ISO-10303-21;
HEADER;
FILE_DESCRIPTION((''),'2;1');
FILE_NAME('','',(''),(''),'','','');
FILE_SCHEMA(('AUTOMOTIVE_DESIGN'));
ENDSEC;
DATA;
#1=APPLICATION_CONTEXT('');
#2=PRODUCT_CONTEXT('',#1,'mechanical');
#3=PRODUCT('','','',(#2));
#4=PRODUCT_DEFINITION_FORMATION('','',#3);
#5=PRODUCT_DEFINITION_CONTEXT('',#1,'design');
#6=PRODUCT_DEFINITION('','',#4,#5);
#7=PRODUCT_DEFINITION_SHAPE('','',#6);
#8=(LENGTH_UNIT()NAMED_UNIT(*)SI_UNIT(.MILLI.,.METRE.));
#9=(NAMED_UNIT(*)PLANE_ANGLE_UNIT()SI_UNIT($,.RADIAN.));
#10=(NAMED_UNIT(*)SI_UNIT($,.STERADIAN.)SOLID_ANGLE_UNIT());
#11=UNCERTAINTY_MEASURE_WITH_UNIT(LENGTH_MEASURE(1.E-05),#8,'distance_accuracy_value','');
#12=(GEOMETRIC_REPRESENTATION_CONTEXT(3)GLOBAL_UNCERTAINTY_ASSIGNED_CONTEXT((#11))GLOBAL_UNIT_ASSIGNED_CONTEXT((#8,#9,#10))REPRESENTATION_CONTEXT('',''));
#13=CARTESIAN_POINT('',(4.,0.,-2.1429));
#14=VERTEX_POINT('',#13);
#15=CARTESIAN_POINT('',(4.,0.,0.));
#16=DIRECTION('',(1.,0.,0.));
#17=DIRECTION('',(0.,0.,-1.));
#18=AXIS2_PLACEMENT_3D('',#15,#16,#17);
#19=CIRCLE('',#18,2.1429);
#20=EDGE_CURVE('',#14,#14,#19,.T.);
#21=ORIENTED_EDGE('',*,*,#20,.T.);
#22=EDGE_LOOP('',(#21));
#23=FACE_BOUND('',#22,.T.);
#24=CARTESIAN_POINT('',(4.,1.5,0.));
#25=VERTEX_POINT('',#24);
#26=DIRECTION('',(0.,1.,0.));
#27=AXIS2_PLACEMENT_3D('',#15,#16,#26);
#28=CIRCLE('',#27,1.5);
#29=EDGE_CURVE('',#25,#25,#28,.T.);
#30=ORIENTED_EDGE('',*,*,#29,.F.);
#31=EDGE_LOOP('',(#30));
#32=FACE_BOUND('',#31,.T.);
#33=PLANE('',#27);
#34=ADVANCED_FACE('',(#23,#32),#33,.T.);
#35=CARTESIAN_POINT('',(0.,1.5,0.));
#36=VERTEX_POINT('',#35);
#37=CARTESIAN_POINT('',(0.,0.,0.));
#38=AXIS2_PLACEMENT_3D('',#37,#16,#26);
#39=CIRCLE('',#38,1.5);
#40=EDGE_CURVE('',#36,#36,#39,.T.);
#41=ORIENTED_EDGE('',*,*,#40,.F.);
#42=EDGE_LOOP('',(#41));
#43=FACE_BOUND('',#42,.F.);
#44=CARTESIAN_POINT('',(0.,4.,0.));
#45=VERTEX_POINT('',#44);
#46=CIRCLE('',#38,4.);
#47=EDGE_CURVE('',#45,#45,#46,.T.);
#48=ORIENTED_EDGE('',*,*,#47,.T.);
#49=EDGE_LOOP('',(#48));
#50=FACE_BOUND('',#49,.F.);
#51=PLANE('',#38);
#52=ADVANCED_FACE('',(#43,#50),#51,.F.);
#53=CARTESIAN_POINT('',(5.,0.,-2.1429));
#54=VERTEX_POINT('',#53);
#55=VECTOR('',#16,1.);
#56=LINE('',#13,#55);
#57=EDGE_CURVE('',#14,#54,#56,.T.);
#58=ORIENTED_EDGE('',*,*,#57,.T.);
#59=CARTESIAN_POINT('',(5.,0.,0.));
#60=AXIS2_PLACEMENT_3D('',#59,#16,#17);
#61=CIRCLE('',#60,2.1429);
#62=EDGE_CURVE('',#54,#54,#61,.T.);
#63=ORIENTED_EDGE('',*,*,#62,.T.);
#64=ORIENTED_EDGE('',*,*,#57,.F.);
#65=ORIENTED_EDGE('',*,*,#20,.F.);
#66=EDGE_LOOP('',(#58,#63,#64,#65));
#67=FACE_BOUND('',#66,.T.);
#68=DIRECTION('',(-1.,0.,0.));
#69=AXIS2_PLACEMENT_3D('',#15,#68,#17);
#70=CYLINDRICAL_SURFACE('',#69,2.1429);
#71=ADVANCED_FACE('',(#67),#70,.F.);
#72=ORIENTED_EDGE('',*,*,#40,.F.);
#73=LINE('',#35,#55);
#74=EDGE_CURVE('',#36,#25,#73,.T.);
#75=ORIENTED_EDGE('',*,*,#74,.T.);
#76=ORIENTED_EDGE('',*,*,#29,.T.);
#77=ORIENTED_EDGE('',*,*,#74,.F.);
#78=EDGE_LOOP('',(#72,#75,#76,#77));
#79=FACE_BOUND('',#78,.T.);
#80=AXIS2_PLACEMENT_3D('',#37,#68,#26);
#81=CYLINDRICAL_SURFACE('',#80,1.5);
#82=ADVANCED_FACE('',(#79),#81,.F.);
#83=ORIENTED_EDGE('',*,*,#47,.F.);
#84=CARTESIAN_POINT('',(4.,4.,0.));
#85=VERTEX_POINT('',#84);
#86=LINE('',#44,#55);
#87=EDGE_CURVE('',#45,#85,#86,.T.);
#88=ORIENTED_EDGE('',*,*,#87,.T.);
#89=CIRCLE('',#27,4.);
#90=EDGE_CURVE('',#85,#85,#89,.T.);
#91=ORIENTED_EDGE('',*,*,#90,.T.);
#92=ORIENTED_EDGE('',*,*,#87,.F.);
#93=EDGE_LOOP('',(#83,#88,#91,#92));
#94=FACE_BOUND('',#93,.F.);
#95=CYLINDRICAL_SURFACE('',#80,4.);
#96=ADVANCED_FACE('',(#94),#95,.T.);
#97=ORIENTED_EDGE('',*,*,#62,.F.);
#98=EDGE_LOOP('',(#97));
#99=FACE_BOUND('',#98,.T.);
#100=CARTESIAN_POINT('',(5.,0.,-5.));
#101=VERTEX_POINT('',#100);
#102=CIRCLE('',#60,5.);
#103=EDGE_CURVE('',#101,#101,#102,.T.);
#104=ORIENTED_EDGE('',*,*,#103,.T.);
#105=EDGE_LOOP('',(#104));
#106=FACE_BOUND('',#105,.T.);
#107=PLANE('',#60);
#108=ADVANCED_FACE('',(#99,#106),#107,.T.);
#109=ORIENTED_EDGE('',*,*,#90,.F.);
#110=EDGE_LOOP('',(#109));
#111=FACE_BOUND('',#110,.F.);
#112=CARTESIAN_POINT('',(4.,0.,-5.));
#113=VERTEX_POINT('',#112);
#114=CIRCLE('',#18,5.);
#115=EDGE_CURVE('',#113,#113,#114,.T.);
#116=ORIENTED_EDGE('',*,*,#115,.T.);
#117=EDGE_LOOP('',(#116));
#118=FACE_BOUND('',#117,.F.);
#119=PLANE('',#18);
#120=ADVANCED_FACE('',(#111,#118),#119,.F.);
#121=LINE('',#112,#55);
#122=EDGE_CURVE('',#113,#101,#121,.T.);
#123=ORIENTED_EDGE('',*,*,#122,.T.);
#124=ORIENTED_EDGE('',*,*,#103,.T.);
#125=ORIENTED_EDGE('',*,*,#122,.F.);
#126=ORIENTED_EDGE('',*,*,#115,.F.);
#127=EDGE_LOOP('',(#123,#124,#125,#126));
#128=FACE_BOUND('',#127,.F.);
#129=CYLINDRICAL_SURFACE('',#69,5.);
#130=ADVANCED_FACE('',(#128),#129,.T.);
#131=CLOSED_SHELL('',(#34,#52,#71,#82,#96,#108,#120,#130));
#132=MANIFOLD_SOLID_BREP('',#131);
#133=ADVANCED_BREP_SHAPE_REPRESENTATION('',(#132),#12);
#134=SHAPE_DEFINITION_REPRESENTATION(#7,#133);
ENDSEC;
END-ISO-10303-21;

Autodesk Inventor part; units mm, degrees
ref_plane "YZ Plane" through (0, 0, 0) normal (1, 0, 0) x (0, 1, 0)
ref_plane "XZ Plane" through (0, 0, 0) normal (0, 1, 0) x (-1, 0, 0)
ref_plane "XY Plane" through (0, 0, 0) normal (0, 0, 1) x (1, 0, 0)
sketch "Эскиз1" plane through (0, 0, 0) normal (1, 0, 0) x (0, 1, 0)
  circle A0 centre (0, 0) radius 3.5
  circle A1 centre (0, 0) radius 4
  circle A2 centre (0, 0) radius 1.5
  dimension "d0" = 7
  dimension "d1" = 8
  dimension "d2" = 3
extrude "Выдавливание1" add sketch "Эскиз1" along normal blind 4 contours A0 | A1
sketch "Эскиз2" plane through (4, 0, 0) normal (1, 0, 0) x (0, 0, -1)
  circle A0 centre (0, 0) radius 5
  circle A1 centre (0, 0) radius 2.1429
  dimension "d5" = 10
extrude "Выдавливание2" add sketch "Эскиз2" along normal blind 1
properties part number "подшипник" material "Титан"
